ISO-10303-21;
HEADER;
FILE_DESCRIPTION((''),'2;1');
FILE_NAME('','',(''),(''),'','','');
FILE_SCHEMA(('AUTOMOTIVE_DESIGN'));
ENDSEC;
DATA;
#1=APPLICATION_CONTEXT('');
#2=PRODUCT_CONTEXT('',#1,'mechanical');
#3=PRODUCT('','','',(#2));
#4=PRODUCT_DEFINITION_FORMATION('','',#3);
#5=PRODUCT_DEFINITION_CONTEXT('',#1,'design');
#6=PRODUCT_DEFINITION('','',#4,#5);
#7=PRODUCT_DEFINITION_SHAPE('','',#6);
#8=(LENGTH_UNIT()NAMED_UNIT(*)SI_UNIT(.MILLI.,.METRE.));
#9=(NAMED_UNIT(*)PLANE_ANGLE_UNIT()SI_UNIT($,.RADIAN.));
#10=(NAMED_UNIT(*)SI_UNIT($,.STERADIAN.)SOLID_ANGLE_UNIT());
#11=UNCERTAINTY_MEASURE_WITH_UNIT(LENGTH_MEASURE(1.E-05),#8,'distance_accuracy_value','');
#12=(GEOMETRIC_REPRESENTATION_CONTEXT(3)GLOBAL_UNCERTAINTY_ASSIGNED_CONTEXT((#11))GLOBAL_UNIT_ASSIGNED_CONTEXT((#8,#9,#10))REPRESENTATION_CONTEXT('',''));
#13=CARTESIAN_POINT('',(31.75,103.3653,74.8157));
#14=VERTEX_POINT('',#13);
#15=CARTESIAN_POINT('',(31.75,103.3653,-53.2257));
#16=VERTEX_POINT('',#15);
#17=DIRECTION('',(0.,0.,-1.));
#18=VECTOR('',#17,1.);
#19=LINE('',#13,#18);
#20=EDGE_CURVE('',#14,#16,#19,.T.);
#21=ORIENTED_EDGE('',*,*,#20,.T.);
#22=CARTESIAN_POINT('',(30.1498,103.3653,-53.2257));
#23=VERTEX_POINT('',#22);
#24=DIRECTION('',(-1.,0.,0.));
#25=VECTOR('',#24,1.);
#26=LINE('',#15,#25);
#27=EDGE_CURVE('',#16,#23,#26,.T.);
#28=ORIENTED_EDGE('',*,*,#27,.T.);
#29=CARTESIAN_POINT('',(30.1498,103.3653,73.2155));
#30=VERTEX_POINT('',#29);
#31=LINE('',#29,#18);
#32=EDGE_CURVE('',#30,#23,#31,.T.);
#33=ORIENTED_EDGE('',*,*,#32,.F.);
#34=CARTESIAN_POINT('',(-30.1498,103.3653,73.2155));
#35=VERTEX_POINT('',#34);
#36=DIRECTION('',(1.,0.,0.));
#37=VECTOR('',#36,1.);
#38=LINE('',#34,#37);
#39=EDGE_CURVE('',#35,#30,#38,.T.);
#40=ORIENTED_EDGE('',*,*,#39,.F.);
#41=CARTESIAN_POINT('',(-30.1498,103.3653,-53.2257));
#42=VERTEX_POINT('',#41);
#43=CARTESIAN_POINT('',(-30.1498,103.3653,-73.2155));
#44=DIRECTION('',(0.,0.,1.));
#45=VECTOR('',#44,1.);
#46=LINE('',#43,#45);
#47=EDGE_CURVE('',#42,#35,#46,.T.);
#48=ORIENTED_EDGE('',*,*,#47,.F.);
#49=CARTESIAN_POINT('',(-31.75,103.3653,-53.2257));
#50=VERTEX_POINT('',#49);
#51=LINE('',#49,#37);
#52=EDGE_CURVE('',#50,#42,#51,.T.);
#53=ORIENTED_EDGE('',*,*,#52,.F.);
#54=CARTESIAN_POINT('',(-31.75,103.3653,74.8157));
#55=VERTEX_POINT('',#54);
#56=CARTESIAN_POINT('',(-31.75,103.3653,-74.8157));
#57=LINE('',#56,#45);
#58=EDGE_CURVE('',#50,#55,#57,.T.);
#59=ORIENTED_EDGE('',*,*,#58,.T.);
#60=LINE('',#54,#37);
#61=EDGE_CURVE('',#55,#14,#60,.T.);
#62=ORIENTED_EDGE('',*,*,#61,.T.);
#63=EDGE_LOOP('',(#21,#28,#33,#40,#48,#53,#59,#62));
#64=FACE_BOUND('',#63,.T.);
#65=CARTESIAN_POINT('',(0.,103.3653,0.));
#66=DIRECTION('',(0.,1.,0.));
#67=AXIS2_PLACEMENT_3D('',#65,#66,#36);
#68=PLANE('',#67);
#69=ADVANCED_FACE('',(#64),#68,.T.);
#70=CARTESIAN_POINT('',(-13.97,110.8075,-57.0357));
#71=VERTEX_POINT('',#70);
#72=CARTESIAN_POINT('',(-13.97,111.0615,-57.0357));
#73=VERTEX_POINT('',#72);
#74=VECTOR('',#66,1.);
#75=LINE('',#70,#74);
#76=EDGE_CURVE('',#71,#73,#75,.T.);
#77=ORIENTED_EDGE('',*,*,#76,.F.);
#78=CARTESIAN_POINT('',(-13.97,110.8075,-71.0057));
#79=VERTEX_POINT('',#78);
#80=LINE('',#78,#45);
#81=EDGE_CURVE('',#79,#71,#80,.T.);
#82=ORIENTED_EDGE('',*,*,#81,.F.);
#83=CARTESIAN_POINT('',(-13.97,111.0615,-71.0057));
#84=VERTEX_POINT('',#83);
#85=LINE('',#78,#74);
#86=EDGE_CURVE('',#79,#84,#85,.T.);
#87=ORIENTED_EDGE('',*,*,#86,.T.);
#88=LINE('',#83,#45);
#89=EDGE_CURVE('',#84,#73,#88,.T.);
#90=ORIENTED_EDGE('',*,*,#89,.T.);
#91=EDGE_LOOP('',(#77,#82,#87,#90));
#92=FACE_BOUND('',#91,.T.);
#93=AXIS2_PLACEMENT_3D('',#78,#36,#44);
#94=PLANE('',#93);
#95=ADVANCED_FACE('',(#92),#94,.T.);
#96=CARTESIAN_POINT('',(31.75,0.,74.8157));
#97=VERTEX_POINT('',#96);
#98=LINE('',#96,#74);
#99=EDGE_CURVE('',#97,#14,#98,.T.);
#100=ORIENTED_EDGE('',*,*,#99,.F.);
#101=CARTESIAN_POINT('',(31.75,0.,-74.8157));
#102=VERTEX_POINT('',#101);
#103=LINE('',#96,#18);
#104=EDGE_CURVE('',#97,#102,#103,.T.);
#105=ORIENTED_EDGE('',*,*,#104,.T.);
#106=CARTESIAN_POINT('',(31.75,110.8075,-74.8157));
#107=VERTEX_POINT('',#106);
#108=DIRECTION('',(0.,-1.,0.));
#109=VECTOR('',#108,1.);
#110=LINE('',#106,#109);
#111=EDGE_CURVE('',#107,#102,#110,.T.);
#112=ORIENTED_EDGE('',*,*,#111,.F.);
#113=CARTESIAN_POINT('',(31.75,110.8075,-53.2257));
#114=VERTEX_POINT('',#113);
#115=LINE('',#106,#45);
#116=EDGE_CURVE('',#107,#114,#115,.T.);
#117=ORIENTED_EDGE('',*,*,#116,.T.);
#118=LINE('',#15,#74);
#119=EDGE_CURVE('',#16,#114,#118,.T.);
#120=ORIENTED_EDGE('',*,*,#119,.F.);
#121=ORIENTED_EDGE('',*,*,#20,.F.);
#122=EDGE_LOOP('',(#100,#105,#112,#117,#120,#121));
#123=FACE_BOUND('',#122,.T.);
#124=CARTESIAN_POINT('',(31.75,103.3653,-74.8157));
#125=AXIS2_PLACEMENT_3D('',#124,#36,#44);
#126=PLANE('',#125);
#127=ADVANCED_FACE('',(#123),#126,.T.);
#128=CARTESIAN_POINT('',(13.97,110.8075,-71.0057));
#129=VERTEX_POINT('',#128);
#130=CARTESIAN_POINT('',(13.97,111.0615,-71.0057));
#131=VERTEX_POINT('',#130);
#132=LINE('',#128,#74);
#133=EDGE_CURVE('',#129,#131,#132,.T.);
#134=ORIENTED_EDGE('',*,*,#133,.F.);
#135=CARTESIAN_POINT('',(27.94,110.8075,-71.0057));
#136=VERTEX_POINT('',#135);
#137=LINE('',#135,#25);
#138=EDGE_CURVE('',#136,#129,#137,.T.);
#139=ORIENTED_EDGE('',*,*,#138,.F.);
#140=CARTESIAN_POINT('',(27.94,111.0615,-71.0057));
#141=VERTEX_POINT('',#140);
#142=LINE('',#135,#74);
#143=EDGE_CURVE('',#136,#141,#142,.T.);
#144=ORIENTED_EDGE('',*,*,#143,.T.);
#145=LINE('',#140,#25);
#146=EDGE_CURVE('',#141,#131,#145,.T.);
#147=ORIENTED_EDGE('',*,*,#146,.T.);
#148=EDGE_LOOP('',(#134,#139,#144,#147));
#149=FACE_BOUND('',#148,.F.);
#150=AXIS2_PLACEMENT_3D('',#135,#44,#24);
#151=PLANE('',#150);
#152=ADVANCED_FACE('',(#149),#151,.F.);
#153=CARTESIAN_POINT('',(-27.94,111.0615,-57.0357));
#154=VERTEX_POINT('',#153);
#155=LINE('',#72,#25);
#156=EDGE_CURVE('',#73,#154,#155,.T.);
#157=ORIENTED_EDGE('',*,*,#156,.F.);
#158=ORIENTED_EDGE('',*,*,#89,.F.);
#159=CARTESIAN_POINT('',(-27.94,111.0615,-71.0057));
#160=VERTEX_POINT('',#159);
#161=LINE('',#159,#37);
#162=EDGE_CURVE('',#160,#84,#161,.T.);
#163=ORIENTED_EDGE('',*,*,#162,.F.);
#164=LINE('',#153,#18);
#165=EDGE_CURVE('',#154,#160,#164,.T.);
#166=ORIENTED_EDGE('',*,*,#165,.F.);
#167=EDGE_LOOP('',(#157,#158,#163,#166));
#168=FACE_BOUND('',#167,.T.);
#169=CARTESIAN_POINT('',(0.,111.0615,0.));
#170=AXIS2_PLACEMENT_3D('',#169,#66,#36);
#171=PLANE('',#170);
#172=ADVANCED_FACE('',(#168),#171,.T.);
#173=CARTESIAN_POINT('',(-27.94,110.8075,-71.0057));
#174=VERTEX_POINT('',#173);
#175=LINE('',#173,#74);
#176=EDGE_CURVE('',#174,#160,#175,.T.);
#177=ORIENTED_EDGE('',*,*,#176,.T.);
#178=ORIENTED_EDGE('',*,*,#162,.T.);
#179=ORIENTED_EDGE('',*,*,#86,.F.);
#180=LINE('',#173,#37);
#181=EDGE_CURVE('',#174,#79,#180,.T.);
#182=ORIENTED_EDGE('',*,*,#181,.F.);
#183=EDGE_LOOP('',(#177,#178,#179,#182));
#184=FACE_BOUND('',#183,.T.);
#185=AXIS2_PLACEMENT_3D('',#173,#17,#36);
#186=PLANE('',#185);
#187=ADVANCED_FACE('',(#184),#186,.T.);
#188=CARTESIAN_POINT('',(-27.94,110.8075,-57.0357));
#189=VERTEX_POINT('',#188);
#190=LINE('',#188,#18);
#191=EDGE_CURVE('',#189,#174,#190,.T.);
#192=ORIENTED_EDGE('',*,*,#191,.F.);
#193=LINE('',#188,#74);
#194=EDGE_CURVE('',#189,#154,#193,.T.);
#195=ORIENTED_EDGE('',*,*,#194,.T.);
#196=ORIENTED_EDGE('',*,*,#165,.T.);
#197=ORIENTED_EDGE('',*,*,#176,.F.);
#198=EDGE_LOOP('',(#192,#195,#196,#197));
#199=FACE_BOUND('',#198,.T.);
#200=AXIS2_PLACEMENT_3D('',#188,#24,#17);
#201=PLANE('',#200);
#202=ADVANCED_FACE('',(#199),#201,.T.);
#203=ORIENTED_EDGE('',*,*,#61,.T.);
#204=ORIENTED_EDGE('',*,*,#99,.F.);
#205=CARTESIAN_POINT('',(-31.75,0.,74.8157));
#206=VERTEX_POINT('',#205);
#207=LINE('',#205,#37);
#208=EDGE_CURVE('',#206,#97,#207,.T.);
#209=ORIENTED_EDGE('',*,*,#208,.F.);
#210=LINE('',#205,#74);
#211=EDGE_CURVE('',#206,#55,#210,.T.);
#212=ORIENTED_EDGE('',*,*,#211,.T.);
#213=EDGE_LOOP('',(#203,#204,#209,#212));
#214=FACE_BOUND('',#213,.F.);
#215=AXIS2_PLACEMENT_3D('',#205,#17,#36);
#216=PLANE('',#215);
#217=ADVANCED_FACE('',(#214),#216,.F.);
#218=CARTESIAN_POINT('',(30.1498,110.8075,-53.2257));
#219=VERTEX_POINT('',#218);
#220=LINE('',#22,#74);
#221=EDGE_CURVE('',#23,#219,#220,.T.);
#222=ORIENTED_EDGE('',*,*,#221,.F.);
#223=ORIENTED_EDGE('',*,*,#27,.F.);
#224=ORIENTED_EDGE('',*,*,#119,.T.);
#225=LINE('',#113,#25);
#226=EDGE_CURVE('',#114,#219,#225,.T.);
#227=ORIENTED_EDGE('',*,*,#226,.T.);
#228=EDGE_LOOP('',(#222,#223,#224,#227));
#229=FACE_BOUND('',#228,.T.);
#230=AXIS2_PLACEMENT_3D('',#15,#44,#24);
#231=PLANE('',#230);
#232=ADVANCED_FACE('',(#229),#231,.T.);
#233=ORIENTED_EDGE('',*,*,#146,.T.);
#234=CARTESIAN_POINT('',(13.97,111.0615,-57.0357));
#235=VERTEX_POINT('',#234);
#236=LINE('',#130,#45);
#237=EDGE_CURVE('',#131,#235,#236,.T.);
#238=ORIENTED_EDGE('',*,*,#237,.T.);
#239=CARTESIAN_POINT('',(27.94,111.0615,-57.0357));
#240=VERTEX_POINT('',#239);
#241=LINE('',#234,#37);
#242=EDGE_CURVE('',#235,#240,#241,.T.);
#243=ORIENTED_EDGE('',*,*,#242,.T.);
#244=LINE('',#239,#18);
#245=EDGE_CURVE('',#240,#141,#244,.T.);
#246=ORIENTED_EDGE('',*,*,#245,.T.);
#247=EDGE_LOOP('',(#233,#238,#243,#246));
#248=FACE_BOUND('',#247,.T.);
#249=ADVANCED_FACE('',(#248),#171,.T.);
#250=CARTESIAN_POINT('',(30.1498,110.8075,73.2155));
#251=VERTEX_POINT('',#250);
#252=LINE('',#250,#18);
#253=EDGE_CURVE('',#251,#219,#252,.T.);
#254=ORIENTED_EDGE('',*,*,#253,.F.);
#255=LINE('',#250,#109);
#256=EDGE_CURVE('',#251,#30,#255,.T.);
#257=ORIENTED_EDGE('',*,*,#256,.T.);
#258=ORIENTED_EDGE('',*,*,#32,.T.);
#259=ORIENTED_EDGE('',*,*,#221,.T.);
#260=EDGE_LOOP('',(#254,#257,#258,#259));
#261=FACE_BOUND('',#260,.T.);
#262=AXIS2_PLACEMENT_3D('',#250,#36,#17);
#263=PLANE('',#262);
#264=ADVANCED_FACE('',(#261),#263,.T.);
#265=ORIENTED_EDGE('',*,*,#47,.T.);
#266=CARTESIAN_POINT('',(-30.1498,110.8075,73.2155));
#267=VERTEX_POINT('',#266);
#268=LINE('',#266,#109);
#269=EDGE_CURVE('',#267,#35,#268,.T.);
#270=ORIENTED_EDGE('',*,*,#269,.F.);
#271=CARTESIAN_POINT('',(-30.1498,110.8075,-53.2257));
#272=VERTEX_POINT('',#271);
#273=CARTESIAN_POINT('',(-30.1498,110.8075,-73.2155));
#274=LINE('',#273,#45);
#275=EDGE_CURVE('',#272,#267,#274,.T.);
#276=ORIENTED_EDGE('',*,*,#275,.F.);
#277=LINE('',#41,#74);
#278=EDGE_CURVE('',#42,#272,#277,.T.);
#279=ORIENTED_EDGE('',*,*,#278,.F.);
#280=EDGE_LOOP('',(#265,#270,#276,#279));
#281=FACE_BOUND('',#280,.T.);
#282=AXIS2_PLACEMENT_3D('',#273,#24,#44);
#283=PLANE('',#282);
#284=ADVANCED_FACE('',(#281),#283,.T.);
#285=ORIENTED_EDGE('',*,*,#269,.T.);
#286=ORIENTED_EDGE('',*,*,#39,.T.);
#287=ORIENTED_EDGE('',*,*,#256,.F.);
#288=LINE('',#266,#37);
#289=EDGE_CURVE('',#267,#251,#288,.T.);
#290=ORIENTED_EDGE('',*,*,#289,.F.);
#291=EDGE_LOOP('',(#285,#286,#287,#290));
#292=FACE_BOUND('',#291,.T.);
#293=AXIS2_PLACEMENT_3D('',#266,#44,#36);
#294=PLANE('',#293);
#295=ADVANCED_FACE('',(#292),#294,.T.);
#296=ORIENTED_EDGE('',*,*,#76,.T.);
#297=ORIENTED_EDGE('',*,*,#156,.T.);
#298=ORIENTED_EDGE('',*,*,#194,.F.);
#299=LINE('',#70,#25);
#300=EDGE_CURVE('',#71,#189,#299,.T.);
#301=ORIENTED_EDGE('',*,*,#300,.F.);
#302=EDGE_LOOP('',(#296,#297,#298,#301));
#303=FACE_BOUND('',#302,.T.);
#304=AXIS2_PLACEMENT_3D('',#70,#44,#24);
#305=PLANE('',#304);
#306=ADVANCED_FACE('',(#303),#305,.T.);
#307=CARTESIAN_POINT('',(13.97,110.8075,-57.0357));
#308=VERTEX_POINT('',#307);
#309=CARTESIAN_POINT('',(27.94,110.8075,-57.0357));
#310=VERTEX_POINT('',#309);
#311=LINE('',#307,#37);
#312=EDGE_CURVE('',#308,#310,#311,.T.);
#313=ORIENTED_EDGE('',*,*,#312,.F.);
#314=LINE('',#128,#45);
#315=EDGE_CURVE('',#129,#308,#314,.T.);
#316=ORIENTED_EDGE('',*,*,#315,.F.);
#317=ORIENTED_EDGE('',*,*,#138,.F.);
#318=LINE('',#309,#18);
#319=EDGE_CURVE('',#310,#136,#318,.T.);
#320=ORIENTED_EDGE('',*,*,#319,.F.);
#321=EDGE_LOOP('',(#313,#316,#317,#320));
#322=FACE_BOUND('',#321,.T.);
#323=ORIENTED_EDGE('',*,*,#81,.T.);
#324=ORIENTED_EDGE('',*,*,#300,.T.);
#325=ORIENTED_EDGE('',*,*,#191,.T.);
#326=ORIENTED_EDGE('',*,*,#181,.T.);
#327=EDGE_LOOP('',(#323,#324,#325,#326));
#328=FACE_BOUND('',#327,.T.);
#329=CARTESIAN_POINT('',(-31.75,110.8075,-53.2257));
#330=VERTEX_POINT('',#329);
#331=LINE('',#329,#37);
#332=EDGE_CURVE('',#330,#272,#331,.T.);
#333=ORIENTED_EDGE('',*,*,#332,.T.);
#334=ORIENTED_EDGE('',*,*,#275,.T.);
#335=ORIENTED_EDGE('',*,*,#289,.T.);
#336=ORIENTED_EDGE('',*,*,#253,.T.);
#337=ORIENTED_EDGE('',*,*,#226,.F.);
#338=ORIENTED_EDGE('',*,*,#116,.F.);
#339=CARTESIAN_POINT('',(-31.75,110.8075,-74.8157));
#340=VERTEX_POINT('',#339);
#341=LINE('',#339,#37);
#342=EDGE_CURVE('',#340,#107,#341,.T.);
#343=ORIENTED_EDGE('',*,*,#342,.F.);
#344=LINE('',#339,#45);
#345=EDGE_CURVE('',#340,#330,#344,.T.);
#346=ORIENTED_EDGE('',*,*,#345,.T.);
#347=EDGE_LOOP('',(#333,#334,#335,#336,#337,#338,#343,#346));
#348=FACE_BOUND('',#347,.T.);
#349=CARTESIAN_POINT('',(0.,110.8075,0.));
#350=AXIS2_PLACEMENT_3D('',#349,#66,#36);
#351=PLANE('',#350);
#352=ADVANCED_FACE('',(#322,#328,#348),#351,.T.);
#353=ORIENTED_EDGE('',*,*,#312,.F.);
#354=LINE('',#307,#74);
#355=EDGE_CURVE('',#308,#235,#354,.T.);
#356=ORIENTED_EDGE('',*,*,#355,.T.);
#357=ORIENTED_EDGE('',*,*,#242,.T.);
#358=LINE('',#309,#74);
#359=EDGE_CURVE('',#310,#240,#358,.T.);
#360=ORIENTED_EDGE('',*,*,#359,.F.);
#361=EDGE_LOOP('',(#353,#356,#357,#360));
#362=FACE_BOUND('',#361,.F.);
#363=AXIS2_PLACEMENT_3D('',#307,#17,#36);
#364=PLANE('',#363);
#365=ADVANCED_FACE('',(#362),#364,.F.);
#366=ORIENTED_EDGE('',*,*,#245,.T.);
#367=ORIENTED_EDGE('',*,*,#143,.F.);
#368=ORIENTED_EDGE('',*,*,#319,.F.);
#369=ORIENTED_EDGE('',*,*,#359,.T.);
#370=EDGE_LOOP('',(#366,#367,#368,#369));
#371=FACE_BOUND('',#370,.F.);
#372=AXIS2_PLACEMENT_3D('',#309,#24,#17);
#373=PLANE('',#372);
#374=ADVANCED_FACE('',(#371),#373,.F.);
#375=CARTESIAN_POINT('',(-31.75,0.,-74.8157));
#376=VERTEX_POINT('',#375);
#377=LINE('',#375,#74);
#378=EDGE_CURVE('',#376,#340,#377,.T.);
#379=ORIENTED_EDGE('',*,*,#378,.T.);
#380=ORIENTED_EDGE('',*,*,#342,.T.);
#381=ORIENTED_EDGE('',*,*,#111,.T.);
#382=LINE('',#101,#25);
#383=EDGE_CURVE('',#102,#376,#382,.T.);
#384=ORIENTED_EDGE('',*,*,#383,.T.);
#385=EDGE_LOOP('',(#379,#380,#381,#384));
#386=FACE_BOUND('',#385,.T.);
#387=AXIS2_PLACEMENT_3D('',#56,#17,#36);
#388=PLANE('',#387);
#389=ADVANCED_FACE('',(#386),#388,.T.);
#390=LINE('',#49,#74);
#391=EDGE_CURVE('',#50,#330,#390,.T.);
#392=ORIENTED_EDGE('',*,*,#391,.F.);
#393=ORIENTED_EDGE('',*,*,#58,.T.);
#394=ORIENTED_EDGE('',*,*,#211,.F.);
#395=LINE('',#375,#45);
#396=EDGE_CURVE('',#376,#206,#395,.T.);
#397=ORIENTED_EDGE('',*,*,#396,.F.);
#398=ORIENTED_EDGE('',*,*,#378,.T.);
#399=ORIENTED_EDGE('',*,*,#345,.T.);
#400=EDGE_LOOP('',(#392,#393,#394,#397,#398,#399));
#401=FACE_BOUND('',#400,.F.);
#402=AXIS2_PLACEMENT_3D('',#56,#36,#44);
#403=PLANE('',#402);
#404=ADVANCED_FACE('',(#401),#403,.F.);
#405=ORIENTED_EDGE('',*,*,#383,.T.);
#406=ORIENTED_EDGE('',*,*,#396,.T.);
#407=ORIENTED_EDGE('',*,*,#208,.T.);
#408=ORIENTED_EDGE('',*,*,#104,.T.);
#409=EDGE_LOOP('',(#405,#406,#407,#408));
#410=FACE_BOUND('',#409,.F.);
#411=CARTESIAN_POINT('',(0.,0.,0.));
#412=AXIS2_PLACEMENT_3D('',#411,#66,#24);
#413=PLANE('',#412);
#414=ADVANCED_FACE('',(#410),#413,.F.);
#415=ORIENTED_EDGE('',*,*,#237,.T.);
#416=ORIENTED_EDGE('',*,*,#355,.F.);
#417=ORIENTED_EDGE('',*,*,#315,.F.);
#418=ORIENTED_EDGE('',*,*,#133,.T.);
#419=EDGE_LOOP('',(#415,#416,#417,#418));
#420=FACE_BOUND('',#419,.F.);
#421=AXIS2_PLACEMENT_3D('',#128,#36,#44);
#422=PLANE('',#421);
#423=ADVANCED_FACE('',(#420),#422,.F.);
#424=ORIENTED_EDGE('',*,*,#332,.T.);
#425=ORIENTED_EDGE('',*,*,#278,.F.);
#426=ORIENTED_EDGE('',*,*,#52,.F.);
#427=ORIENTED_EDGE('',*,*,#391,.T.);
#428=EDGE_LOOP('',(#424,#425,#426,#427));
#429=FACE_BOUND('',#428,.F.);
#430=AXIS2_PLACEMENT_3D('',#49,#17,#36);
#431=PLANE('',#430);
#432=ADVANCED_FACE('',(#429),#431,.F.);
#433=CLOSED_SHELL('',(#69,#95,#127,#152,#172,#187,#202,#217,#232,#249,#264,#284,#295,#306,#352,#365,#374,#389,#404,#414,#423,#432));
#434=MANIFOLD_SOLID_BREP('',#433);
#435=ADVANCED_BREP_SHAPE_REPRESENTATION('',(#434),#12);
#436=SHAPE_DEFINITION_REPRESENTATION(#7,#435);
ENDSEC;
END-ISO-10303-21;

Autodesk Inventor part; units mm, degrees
ref_plane "YZ Plane" through (0, 0, 0) normal (1, 0, 0) x (0, 1, 0)
ref_plane "XZ Plane" through (0, 0, 0) normal (0, 1, 0) x (-1, 0, 0)
ref_plane "XY Plane" through (0, 0, 0) normal (0, 0, 1) x (1, 0, 0)
sketch "Sketch1" plane through (0, 0, 0) normal (0, 1, 0) x (-1, 0, 0)
  line L0 (31.75, 74.8157) -> (-31.75, 74.8157)
  line L1 (-31.75, 74.8157) -> (-31.75, -74.8157)
  line L2 (-31.75, -74.8157) -> (31.75, -74.8157)
  line L3 (31.75, -74.8157) -> (31.75, 74.8157)
  line L4 (0, 0) -> (31.75, 0) construction
  line L5 (0, 0) -> (0, 74.8157) construction
  line L6 (0, 0) -> (-31.75, 0) construction
  line L7 (0, 0) -> (0, -74.8157) construction
  dimension "d0" = 63.5
  dimension "d1" = 149.6314
extrude "Extrusion1" add sketch "Sketch1" along normal blind 110.8075
sketch "Sketch2" plane through (0, 110.8075, 0) normal (0, 1, 0) x (1, 0, 0)
  line L0 (-31.75, -74.8157) -> (31.75, -74.8157) projected
  line L1 (31.75, -74.8157) -> (31.75, 74.8157) projected
  line L2 (31.75, 74.8157) -> (-31.75, 74.8157) projected
  line L3 (-31.75, 74.8157) -> (-31.75, -74.8157) projected
  line L4 (-30.1498, -73.2155) -> (30.1498, -73.2155)
  line L5 (30.1498, -73.2155) -> (30.1498, 73.2155)
  line L6 (30.1498, 73.2155) -> (-30.1498, 73.2155)
  line L7 (-30.1498, 73.2155) -> (-30.1498, -73.2155)
  point P0 (0, 0)
  dimension "d4" = 1.6002
extrude "Extrusion2" cut sketch "Sketch2" against normal blind 7.4422
sketch "Sketch3" plane through (0, 103.3653, 0) normal (0, 1, 0) x (1, 0, 0)
  line L0 (-30.1498, 73.2155) -> (-30.1498, 53.2257)
  line L1 (30.1498, 73.2155) -> (-30.1498, 73.2155)
  line L2 (31.75, 74.8157) -> (31.75, 53.2257)
  line L3 (-31.75, 74.8157) -> (31.75, 74.8157)
  line L4 (30.1498, 73.2155) -> (-30.1498, 73.2155) projected
  line L5 (-31.75, 53.2257) -> (-30.1498, 53.2257)
  line L6 (31.75, 53.2257) -> (30.1498, 53.2257)
  line L7 (30.1498, 53.2257) -> (30.1498, 73.2155)
  line L8 (-31.75, 53.2257) -> (-31.75, 74.8157)
  point P0 (0, 0)
  dimension "d7" = 21.59
sketch "Sketch4" plane through (0, 103.3653, 0) normal (0, 1, 0) x (1, 0, 0)
  line L0 (-31.75, 74.8157) -> (31.75, 74.8157) projected
  line L1 (30.1498, 73.2155) -> (-30.1498, 73.2155) projected
  line L2 (-31.75, 74.8157) -> (-31.75, 53.2257)
  line L3 (-31.75, 53.2257) -> (-30.1498, 53.2257)
  line L4 (-30.1498, 73.2155) -> (-30.1498, 53.2257)
  line L5 (0, 73.2155) -> (0, 74.8157) construction
  line L6 (31.75, 74.8157) -> (31.75, 53.2257)
  line L7 (31.75, 53.2257) -> (30.1498, 53.2257)
  line L8 (30.1498, 73.2155) -> (30.1498, 53.2257)
  point P0 (0, 0)
  dimension "d8" = 21.59
extrude "Extrusion3" add sketch "Sketch4" along normal up to surface (7.4422 mm away)
sketch "Sketch5" plane through (-31.75, 0, 74.8157) normal (0, 0, 1) x (1, 0, 0)
  line L0 (22.0103, 51.8449) -> (31.9769, 51.8449) construction
  line L1 (31.9769, 51.8449) -> (31.9769, 48.6882) construction
  line L2 (31.9769, 48.6882) -> (22.0103, 48.6882) construction
  line L3 (22.0103, 48.6882) -> (22.0103, 51.8449) construction
sketch "Sketch6" plane through (31.75, 0, -74.8157) normal (0, 0, -1) x (-1, 0, 0)
  line L0 (18.5743, 56.7919) -> (44.5786, 56.7919) construction
  line L1 (44.5786, 56.7919) -> (44.5786, 50.439) construction
  line L2 (44.5786, 50.439) -> (18.5743, 50.439) construction
  line L3 (18.5743, 50.439) -> (18.5743, 56.7919) construction
sketch "Sketch7" plane through (0, 110.8075, 0) normal (0, 1, 0) x (1, 0, 0)
  line L0 (27.94, 71.0057) -> (13.97, 71.0057)
  line L1 (13.97, 71.0057) -> (13.97, 57.0357)
  line L2 (13.97, 57.0357) -> (27.94, 57.0357)
  line L3 (27.94, 57.0357) -> (27.94, 71.0057)
  line L4 (31.75, 74.8157) -> (31.75, 53.2257) construction
  line L5 (-31.75, 74.8157) -> (31.75, 74.8157) construction
  line L6 (0, 74.8157) -> (0, -73.2155) construction
  line L7 (-30.1498, -73.2155) -> (30.1498, -73.2155) construction
  line L8 (-27.94, 71.0057) -> (-13.97, 71.0057)
  line L9 (-13.97, 71.0057) -> (-13.97, 57.0357)
  line L10 (-13.97, 57.0357) -> (-27.94, 57.0357)
  line L11 (-27.94, 57.0357) -> (-27.94, 71.0057)
  point P0 (0, 0)
  dimension "d11" = 13.97
  dimension "d12" = 3.81
  dimension "d13" = 3.81
extrude "Extrusion4" add sketch "Sketch7" along normal blind 0.254
equation "\"d13\" = d12"
properties part number "BotBattery"
